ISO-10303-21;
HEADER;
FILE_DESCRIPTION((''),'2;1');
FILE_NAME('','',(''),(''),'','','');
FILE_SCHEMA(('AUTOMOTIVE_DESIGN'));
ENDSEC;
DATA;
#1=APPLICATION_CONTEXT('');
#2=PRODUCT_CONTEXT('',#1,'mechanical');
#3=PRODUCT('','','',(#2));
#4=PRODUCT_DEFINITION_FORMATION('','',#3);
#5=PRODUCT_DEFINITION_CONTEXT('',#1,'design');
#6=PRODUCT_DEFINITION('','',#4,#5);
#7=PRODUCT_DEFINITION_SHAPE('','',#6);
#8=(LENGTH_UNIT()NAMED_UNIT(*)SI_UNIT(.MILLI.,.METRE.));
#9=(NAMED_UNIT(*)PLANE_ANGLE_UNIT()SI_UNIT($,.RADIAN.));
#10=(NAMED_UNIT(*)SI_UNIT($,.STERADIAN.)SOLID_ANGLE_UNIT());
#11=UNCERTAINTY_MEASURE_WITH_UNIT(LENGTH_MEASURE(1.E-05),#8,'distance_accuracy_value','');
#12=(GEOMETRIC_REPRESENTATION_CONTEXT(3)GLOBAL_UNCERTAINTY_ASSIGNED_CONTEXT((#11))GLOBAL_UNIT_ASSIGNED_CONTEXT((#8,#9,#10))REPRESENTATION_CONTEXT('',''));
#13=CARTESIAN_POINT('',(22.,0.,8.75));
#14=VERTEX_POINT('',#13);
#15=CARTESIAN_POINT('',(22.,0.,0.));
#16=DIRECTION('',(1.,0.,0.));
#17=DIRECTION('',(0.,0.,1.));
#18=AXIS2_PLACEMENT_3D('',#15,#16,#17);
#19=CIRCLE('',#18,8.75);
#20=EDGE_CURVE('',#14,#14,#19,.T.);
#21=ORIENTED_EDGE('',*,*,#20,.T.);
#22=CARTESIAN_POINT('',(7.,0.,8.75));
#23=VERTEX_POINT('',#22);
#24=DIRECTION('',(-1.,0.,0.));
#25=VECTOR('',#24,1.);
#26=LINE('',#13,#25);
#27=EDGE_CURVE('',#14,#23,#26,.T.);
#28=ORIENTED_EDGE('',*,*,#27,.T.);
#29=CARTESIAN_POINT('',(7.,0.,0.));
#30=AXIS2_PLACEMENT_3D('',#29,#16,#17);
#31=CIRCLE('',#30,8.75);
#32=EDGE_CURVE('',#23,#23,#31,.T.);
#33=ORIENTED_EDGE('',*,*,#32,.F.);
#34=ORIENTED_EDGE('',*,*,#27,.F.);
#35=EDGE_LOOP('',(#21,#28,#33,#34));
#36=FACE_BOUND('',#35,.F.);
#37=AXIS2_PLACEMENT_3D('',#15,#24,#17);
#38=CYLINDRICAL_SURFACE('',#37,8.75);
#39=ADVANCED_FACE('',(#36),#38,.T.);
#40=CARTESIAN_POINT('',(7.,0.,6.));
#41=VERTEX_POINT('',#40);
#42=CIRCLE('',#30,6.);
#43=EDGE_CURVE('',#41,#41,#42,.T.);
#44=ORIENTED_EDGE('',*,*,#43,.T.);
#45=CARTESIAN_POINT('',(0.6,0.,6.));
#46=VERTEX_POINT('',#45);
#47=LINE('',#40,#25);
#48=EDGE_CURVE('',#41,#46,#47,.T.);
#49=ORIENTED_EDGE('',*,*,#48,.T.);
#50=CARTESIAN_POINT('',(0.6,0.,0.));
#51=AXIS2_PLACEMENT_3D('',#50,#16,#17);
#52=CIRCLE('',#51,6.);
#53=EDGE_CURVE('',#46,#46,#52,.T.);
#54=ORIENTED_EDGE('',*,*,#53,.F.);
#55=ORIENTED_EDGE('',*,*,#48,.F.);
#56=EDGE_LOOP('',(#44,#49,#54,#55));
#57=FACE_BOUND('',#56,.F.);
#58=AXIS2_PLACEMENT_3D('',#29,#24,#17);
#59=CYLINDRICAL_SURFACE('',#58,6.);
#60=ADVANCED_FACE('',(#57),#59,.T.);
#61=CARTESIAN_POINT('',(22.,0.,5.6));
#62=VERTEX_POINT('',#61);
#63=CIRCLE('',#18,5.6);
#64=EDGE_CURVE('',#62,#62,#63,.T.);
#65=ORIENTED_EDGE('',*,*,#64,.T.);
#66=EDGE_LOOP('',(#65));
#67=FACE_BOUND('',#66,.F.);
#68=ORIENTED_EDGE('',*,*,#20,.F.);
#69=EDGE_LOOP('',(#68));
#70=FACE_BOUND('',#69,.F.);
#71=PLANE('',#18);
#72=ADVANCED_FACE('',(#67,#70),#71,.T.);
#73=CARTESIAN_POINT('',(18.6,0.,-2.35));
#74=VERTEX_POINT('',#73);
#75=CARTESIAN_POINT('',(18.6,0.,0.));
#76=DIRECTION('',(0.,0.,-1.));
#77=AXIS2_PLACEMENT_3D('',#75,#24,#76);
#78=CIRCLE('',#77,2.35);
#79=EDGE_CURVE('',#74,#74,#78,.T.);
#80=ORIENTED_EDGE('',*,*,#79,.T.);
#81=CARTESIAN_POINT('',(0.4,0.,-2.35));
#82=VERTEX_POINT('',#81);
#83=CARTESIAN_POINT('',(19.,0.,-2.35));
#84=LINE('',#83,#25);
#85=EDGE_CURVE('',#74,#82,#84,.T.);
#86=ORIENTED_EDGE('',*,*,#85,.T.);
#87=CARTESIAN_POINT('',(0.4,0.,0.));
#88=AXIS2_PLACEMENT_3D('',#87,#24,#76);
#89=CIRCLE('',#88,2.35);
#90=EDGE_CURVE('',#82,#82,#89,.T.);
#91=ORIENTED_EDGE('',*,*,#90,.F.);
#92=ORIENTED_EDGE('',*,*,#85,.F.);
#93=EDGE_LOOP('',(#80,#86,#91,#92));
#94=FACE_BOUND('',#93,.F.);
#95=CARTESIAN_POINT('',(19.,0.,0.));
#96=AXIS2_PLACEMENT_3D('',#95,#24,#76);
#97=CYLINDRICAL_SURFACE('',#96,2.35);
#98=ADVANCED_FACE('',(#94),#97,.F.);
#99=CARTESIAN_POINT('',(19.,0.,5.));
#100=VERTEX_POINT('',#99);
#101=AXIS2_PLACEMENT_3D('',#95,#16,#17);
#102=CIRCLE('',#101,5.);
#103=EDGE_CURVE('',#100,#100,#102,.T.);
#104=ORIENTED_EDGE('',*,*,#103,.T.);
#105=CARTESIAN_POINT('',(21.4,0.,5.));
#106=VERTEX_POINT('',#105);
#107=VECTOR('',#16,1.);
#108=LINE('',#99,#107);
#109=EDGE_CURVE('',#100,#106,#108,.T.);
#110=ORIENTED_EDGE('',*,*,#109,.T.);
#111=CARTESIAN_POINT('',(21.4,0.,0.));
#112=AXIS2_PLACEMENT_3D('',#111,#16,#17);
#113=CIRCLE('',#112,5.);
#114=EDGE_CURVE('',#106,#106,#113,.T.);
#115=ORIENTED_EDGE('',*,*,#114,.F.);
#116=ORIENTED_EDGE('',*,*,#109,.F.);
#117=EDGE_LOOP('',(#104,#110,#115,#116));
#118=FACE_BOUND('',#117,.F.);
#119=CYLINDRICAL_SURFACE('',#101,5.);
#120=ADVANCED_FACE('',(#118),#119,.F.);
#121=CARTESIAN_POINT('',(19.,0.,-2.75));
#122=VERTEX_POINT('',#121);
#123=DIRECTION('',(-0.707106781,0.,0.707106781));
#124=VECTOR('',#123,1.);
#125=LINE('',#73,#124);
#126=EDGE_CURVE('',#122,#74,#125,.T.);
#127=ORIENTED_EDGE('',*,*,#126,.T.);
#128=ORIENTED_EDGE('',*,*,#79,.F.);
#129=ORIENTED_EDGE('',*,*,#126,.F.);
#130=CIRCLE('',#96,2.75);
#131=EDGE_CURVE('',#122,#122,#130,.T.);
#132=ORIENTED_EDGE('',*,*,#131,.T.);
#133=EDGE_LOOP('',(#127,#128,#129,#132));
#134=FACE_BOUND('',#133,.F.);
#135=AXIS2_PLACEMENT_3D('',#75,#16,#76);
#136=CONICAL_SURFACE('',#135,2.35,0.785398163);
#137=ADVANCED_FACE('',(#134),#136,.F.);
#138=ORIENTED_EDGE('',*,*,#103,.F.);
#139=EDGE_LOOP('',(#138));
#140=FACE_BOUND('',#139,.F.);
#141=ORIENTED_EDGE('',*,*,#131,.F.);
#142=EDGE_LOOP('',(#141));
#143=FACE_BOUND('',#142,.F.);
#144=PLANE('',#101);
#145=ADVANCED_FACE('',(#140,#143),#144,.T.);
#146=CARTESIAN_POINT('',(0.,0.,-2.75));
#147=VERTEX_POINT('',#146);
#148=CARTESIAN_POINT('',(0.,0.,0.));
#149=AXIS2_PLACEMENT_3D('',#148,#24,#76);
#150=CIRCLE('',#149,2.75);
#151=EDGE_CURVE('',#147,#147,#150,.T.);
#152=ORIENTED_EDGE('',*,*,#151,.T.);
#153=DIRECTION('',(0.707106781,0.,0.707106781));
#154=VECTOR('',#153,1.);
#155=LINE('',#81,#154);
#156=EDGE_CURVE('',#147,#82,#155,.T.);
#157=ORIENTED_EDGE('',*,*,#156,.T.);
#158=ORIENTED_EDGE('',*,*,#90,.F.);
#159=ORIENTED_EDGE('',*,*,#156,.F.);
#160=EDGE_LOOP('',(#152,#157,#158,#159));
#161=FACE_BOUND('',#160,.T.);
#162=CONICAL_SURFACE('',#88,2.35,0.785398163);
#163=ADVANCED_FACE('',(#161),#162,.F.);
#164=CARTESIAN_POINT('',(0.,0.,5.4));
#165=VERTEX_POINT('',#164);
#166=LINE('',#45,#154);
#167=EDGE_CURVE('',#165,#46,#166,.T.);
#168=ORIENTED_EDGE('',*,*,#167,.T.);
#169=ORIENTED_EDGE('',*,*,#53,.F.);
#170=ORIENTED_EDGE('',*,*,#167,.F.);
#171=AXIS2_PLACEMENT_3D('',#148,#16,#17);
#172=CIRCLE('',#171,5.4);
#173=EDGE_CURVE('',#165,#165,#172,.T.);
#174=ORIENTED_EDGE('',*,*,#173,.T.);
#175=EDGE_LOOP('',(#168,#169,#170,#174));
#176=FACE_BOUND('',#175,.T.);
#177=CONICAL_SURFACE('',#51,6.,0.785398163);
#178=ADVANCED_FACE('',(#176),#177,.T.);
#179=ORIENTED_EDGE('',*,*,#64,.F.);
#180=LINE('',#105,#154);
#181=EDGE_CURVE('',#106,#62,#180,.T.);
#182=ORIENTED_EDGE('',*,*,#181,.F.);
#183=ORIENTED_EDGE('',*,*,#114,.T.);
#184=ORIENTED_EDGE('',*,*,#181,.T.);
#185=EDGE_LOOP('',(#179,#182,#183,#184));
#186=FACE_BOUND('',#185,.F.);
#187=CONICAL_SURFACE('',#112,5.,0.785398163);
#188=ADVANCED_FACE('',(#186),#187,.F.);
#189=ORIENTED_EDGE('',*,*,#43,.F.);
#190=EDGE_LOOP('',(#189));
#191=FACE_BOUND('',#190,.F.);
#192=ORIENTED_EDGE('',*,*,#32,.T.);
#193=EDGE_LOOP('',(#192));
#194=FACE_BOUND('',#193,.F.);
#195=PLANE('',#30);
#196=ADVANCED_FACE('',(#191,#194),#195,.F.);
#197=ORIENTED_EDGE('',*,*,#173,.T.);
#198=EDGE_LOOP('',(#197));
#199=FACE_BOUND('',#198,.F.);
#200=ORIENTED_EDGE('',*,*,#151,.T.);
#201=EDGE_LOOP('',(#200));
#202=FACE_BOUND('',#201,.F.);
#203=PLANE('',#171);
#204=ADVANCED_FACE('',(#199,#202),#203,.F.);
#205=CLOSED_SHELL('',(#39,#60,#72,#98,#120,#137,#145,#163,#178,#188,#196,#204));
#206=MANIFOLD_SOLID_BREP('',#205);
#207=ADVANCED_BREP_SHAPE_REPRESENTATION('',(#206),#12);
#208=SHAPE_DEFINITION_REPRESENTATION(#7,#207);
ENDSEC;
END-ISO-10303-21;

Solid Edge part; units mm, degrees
sketch "Sketch1" plane through (0, 0, 0) normal (0, -1, 0) x (1, 0, 0)
  line L0 (19, 0) -> (19, 5)
  line L1 (19, 5) -> (22, 5)
  line L2 (22, 5) -> (22, 8.75)
  line L3 (22, 8.75) -> (7, 8.75)
  line L4 (7, 8.75) -> (7, 6)
  line L5 (7, 6) -> (0, 6)
  line L6 (0, 6) -> (0, 0)
  dimension "D1" = 3
  dimension "D2" = 12
  dimension "D3" = 7
revolve "RevolvedProtrusion1" add sketch "Sketch1" angle 360 about axis through (0, 0, 0) along (1, 0, 0)
hole "thread" at (19, 0, 0) direction (-1, 0, 0) diameter 4.7 depth 30 tip angle 118 start chamfer 0.4 start chamfer angle 45 end chamfer 0.4 end chamfer angle 45
chamfer "mounting_chamfers" distance 0.6 angle 45 2 edges at (0, 0, -6) (22, 0, -5)
properties material "Polyethylene, low density"
